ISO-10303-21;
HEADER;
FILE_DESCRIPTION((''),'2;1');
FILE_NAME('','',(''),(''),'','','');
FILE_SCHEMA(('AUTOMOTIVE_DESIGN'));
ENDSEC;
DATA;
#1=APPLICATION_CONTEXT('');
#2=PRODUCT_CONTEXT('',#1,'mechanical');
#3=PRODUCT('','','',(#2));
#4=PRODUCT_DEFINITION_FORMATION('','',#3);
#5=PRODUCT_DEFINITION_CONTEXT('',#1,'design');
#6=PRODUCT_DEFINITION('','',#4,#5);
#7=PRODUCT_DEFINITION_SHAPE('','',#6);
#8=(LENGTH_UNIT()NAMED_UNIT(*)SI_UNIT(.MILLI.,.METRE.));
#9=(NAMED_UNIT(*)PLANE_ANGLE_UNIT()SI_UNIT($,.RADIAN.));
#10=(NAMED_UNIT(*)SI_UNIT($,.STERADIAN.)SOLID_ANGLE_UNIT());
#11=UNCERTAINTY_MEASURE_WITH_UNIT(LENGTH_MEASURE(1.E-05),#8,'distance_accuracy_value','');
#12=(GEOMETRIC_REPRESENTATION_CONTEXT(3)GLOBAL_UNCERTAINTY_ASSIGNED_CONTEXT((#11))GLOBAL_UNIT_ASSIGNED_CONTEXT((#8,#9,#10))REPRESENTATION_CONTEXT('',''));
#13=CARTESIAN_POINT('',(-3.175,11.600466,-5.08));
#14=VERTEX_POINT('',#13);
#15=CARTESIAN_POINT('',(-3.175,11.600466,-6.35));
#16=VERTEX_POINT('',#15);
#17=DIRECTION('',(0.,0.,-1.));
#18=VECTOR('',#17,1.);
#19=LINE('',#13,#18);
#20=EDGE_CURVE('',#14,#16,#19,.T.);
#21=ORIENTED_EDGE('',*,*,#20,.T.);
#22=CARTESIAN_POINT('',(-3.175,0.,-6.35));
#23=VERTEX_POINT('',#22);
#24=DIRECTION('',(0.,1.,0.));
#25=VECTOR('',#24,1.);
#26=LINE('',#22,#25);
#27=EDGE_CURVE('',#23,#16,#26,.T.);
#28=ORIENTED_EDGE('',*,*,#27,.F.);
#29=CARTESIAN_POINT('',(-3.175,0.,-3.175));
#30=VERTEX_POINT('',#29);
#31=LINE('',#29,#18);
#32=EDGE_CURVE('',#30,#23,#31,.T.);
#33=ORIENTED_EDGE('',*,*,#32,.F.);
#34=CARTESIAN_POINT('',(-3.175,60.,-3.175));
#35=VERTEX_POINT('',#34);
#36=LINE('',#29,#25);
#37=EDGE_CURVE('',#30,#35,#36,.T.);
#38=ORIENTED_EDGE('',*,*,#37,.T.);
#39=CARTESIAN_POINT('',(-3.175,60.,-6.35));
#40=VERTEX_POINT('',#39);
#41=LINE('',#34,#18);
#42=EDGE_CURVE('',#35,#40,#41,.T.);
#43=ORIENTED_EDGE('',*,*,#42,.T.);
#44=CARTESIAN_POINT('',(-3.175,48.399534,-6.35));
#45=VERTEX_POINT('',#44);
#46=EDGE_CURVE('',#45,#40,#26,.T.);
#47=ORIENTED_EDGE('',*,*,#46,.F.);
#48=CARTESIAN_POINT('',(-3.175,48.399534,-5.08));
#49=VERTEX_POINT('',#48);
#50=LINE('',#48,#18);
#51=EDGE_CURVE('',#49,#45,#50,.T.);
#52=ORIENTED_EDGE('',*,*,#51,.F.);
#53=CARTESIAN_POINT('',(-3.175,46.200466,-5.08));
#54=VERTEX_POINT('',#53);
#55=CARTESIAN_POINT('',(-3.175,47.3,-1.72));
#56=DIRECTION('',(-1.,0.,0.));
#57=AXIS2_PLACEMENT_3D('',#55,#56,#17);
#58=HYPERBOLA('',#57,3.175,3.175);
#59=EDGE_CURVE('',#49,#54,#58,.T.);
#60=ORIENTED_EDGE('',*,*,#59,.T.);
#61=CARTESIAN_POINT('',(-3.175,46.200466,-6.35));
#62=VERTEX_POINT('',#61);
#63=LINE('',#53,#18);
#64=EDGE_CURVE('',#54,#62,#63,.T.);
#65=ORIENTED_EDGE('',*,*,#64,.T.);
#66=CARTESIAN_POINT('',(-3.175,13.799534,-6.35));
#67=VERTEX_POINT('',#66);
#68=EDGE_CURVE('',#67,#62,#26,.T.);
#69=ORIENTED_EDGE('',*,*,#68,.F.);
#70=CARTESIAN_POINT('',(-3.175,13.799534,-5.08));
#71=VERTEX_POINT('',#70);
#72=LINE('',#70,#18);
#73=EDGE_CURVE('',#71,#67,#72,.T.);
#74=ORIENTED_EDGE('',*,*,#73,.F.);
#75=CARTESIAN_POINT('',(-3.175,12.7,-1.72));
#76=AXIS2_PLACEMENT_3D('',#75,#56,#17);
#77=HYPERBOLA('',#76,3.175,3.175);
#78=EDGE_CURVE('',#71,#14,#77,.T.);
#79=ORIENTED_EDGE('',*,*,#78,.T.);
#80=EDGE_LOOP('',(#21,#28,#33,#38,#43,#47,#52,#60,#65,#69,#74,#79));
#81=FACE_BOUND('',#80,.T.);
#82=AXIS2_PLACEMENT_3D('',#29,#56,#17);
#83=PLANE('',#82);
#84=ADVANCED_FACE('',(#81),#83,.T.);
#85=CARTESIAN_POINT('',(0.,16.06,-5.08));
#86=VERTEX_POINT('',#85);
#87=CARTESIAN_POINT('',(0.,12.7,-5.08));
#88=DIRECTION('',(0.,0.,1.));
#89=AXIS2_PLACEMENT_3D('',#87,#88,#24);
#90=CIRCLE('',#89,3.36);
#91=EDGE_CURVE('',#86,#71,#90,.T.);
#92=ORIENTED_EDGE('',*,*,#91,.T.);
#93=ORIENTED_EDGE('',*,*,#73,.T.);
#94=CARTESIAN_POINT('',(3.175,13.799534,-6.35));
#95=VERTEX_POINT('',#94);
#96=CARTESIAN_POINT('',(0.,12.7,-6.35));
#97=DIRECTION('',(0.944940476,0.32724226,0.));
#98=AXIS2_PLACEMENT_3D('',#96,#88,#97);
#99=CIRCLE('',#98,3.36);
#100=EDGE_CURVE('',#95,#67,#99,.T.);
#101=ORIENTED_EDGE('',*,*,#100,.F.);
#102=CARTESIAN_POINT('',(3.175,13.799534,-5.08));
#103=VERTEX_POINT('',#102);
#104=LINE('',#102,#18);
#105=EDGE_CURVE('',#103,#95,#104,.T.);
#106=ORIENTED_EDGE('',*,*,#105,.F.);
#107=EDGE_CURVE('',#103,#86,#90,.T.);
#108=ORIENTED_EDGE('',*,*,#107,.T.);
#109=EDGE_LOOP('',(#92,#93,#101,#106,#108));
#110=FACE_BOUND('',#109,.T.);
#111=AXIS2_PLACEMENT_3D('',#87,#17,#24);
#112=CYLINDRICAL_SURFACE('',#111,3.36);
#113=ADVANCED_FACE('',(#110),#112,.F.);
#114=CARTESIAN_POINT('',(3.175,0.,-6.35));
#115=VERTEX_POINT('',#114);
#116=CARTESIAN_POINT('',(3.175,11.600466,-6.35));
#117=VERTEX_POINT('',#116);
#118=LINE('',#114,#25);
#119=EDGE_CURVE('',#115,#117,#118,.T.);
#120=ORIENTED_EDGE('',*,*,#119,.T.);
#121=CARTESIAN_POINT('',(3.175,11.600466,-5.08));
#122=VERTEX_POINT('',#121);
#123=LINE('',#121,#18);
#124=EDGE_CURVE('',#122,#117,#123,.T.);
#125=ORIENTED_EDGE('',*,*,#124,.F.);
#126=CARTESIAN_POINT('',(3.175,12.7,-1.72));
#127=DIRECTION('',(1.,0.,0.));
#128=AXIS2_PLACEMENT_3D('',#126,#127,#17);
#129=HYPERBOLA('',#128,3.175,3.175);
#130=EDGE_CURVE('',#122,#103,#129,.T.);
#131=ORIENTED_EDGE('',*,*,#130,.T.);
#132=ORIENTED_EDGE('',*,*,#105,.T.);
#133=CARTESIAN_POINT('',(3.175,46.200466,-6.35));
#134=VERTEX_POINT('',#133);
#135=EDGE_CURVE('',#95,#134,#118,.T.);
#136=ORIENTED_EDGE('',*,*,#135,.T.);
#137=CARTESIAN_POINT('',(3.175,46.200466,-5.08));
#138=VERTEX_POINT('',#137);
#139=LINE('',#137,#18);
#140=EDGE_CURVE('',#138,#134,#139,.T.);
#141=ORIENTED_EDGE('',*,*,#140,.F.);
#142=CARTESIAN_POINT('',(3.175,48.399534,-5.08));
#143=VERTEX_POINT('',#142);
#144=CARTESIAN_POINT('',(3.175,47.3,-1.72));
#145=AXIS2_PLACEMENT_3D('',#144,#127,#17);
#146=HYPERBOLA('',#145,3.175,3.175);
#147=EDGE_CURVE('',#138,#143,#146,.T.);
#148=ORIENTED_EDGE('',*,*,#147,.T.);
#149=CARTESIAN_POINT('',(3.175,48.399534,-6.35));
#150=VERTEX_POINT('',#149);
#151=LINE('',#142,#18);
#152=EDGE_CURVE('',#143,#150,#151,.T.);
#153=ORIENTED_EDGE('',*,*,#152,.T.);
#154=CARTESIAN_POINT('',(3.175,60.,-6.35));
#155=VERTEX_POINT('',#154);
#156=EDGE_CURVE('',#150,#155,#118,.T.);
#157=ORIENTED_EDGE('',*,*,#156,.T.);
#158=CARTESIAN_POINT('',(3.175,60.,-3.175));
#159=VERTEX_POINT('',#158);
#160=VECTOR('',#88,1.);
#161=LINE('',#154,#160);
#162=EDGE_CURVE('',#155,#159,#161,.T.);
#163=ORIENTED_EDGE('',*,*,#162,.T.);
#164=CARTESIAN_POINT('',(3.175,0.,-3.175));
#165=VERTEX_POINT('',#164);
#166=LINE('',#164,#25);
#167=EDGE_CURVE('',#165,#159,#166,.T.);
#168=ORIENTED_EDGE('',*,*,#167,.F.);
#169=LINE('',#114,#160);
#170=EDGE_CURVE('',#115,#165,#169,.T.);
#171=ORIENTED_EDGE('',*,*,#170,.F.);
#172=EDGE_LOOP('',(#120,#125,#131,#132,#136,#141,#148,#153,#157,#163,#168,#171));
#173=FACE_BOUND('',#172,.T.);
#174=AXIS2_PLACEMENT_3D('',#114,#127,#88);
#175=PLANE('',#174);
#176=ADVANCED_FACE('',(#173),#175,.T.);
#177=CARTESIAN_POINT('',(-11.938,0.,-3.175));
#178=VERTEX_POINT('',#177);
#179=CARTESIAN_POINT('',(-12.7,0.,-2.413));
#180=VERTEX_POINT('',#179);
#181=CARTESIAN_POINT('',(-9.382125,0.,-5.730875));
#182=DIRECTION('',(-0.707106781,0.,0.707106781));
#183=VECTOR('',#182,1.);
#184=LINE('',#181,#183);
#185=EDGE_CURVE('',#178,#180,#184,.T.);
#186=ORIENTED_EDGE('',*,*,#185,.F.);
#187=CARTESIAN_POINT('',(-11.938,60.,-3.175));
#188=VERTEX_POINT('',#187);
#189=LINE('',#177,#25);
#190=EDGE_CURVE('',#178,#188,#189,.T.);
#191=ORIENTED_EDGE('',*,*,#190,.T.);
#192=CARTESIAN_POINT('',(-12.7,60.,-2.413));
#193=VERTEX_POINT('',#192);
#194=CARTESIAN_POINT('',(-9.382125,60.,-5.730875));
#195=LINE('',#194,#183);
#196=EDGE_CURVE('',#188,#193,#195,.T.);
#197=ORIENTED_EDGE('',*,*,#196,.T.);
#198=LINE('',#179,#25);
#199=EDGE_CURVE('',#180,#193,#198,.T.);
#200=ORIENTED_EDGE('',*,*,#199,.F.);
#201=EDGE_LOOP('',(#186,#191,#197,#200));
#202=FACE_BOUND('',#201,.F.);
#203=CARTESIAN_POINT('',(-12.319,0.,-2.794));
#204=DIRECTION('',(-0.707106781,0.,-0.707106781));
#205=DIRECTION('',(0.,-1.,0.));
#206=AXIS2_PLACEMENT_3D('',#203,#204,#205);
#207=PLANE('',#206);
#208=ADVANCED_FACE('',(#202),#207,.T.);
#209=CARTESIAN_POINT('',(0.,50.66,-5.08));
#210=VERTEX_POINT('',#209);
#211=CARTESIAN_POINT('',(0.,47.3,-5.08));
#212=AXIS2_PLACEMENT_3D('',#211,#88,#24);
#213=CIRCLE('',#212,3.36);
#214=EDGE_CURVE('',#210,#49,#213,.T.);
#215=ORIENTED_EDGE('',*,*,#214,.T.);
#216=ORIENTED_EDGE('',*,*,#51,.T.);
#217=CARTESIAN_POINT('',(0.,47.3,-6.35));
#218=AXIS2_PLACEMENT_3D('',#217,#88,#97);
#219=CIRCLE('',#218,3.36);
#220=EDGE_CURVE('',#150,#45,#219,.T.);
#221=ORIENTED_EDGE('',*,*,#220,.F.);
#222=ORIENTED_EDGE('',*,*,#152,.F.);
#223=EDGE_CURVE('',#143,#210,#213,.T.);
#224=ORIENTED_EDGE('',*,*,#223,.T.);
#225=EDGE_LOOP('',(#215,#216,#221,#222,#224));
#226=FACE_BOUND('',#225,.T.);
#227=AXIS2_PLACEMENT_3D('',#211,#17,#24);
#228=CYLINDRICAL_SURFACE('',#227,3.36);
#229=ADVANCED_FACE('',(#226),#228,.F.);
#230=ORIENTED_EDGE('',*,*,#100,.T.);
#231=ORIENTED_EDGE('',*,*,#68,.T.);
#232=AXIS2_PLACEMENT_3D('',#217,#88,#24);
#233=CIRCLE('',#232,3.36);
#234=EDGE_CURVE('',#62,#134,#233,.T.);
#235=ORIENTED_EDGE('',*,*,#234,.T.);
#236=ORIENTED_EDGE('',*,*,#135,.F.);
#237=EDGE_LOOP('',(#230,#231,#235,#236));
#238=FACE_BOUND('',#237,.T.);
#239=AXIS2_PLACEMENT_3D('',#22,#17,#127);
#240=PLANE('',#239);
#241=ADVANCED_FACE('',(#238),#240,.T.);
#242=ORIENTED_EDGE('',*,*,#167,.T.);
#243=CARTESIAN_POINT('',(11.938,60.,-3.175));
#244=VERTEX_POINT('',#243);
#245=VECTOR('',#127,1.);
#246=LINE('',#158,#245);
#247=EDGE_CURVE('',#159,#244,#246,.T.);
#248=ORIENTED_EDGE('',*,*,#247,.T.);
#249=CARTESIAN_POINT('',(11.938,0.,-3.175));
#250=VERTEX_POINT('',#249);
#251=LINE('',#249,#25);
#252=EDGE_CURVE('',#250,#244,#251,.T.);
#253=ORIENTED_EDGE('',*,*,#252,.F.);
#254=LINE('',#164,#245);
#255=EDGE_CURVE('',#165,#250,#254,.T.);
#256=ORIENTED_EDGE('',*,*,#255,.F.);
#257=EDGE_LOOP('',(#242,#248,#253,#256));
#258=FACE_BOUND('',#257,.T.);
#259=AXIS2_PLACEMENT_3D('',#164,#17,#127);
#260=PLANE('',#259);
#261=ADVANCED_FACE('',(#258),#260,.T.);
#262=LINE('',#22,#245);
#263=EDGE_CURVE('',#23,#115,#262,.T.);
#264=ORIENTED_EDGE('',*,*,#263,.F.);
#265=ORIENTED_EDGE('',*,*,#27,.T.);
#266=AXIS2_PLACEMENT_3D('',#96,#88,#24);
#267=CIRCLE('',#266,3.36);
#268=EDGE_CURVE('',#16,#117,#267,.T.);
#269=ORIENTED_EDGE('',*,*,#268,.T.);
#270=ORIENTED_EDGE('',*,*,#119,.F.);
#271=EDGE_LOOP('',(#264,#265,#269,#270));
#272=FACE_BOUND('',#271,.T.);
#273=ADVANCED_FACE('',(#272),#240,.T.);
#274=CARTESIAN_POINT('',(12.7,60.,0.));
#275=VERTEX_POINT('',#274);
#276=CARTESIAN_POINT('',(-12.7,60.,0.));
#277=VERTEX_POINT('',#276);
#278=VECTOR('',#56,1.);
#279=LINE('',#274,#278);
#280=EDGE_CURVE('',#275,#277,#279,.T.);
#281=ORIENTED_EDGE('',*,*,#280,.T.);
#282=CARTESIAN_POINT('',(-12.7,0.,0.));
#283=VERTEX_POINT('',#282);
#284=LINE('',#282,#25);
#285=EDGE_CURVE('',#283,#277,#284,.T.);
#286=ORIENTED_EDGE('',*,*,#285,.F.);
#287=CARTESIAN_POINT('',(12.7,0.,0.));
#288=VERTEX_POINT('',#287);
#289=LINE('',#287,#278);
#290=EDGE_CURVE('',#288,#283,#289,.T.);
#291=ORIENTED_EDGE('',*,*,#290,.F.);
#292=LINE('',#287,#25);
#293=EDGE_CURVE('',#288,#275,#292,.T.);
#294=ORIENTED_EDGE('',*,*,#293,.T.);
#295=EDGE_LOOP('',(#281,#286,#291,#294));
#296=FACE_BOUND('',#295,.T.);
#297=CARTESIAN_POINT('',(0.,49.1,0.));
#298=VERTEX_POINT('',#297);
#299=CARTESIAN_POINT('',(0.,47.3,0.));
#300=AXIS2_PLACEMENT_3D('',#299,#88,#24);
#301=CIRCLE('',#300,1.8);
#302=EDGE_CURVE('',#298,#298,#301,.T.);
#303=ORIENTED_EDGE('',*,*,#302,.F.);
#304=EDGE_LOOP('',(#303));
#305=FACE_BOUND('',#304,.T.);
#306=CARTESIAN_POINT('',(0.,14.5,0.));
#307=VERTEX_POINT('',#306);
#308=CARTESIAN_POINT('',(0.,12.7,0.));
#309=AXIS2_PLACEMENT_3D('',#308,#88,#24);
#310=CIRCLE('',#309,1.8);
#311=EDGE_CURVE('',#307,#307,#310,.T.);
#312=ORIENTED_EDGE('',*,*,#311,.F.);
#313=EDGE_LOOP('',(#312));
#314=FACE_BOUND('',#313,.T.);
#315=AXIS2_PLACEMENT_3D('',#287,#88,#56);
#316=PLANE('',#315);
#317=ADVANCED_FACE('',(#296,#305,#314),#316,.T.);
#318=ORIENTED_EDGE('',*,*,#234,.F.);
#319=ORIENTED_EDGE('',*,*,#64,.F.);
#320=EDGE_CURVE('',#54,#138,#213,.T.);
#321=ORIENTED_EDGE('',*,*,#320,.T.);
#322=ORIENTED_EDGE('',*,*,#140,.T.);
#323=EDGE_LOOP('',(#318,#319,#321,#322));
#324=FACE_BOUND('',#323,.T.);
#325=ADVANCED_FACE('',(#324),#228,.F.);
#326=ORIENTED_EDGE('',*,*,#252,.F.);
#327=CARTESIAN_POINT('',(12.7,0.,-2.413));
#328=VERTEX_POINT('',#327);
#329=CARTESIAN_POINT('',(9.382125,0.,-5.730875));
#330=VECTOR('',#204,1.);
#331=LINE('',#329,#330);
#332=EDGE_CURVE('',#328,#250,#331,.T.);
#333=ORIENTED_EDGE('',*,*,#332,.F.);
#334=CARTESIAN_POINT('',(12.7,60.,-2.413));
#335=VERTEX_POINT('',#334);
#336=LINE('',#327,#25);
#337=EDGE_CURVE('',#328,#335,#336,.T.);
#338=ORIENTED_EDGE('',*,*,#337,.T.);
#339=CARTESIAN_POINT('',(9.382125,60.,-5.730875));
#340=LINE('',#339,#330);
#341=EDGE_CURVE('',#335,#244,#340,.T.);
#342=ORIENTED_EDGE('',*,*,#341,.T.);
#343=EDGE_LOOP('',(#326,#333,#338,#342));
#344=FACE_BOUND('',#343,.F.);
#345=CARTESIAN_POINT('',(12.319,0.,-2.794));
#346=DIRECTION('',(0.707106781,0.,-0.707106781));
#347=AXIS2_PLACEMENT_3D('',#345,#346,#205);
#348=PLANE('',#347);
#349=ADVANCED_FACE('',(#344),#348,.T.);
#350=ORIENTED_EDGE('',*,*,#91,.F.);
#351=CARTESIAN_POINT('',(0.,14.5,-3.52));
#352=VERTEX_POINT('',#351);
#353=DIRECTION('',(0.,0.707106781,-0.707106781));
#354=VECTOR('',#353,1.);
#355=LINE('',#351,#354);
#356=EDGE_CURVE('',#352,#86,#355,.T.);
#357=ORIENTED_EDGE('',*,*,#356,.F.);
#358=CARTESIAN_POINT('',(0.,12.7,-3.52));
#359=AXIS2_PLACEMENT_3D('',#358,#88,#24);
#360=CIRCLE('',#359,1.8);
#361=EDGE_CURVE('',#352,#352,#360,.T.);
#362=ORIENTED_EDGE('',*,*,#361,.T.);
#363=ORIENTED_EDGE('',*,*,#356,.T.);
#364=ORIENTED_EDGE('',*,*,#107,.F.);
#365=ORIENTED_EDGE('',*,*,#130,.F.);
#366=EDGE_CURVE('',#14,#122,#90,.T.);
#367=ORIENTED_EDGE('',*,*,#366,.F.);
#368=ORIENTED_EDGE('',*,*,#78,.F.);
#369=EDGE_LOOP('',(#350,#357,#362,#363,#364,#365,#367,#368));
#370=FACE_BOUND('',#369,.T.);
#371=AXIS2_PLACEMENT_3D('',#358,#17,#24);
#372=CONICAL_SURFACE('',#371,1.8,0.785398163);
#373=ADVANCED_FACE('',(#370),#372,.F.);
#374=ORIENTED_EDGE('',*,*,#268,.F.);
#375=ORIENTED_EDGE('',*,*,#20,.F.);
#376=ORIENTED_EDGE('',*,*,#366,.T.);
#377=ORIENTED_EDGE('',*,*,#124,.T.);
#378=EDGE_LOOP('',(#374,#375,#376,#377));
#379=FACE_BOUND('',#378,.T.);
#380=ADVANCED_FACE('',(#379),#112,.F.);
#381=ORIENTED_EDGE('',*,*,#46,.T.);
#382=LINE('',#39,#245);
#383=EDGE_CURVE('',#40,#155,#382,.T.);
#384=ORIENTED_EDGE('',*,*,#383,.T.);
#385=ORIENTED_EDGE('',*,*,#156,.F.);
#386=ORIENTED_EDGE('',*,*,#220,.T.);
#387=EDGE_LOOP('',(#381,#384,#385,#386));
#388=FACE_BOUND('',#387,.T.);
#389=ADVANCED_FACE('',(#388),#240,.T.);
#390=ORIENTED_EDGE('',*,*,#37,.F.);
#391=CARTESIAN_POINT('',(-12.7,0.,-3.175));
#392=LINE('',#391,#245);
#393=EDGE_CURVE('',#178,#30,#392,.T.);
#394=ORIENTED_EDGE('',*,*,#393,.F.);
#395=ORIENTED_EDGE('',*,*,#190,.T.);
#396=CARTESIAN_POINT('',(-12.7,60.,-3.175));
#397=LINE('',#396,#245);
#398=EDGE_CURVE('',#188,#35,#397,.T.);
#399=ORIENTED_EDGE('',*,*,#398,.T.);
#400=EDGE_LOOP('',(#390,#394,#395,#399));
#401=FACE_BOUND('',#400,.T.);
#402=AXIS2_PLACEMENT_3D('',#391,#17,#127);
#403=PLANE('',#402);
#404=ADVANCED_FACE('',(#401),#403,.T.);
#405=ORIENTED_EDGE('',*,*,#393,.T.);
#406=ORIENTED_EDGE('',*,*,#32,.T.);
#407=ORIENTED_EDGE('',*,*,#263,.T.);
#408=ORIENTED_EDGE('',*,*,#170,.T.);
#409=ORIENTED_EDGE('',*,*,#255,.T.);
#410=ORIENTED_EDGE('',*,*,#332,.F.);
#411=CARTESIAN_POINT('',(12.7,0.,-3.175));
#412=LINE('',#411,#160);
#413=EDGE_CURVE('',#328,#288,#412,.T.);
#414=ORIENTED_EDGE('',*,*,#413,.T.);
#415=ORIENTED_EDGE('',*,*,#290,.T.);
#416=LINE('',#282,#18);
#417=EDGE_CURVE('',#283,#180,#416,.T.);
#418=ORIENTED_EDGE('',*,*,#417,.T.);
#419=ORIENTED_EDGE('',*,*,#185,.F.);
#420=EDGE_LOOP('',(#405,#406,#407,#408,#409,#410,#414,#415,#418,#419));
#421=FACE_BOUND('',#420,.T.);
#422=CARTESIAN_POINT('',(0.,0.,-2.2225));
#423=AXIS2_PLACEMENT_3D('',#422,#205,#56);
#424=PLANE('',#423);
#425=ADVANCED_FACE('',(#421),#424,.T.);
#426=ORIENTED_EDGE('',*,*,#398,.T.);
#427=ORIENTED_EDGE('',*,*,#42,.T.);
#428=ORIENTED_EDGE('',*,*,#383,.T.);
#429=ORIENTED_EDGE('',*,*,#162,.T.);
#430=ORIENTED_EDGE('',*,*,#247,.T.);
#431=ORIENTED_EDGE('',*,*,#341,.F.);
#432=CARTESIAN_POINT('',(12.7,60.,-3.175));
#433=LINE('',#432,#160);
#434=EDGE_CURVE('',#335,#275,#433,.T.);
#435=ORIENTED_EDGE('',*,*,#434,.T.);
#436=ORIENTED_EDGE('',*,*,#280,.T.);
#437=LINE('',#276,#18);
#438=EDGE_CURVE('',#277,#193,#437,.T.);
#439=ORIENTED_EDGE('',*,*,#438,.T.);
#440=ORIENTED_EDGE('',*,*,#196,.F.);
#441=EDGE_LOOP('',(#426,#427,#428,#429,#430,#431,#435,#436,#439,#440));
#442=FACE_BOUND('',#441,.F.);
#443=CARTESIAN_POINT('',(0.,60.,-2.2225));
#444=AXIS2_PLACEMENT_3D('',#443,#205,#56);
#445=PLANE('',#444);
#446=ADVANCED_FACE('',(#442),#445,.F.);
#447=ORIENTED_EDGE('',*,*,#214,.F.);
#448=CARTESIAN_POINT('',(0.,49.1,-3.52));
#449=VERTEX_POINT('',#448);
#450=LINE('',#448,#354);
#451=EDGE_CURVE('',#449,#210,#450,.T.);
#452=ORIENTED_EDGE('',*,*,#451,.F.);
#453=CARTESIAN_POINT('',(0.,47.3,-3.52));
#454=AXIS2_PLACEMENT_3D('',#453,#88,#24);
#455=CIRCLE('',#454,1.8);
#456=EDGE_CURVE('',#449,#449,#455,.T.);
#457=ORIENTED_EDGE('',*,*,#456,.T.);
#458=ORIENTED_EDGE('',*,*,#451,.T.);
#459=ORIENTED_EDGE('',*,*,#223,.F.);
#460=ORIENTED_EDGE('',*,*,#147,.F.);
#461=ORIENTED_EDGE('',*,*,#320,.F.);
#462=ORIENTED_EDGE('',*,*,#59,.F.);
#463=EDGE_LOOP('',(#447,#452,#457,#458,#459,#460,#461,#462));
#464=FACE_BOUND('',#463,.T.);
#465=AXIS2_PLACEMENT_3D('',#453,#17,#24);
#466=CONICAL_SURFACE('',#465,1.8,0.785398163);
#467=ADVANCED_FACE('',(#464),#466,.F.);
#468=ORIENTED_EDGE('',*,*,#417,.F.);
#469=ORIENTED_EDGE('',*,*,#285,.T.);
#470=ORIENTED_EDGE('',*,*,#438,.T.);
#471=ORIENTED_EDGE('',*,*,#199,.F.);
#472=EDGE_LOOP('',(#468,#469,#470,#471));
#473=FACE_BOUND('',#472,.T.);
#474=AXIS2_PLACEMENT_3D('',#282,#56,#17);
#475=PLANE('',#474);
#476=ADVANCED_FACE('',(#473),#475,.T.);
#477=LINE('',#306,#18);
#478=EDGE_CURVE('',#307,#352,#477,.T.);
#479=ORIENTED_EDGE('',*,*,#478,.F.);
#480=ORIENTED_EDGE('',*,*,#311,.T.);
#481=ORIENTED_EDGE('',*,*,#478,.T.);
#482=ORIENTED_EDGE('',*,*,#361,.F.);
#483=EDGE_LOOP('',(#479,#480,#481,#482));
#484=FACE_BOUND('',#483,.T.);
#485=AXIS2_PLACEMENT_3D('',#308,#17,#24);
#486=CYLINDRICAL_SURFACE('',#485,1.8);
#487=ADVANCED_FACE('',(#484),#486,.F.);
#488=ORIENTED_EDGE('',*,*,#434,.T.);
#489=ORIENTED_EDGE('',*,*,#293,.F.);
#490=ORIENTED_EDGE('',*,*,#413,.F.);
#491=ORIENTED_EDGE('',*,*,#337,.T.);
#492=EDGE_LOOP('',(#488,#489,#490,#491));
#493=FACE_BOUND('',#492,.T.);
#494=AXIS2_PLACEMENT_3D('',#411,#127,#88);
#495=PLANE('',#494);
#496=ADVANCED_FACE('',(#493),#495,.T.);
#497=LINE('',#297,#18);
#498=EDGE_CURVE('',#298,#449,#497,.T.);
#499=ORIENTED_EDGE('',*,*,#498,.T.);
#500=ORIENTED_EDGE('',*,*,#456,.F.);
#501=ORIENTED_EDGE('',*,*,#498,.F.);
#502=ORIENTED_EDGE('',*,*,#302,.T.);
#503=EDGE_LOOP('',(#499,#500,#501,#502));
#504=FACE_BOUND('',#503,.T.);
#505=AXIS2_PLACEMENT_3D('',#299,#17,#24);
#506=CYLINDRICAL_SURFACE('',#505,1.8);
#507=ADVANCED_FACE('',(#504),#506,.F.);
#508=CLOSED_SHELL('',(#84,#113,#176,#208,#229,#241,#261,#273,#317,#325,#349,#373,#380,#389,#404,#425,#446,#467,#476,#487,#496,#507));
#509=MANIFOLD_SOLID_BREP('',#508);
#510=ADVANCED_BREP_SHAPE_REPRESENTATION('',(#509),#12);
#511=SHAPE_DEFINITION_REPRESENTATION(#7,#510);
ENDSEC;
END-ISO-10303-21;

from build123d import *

# Parameters (mm, degrees)
BOSS_EXTRUDE1_DEPTH          = 60
SKETCH2_R                    = 1.5
CUT_EXTRUDE2_DEPTH           = 7.35
CSK_FOR_M3_SFHCS1_AT_2_COUNT = 2
CSK_FOR_M3_SFHCS1_AT_2_PITCH = 34.6
CHAMFER1_SIZE                = 0.762


with BuildPart() as part:
    # Sketch1 → Boss-Extrude1 (new body)
    with BuildSketch(Plane(origin=(0, 0, 0), x_dir=(1, 0, 0), z_dir=(0, 1, 0))):
        Polygon((-3.175, 6.35), (3.175, 6.35), (3.175, 3.175), (12.7, 3.175), (12.7, 0), (-12.7, 0), (-12.7, 3.175), (-3.175, 3.175), align=None)
    extrude(amount=BOSS_EXTRUDE1_DEPTH)

    # Sketch2 → Cut-Extrude2 (cut, through all)
    with BuildSketch(Plane(origin=(0, 0, -6.35), x_dir=(-1, 0, 0), z_dir=(0, 0, -1))):
        with Locations((0, 47.3)):
            Circle(SKETCH2_R)
        with Locations((0, 12.7)):
            Circle(SKETCH2_R)
    extrude(amount=-CUT_EXTRUDE2_DEPTH, mode=Mode.SUBTRACT)

    # Sketch4 → CSK for M3 SFHCS1 (revolve, cut)
    with BuildSketch(Plane(origin=(0, 12.7, -6.35), x_dir=(0, 1, 0), z_dir=(1, 0, 0))):
        Polygon((0, 0), (0, 6.35), (1.8, 6.35), (1.8, 2.83), (3.36, 1.27), (3.36, 0), align=None)
    csk_for_m3_sfhcs1 = revolve(axis=Axis((0, 12.7, -12.7), (0, 0, 1)), mode=Mode.SUBTRACT)

    # CSK for M3 SFHCS1 at 2: CSK for M3 SFHCS1 ×2
    with Locations(*[(0, i * CSK_FOR_M3_SFHCS1_AT_2_PITCH, 0) for i in range(1, CSK_FOR_M3_SFHCS1_AT_2_COUNT)]):
        add(csk_for_m3_sfhcs1, mode=Mode.SUBTRACT)

    # Chamfer1
    chamfer1_edges = [part.edges().sort_by_distance(p)[0] for p in [
        (12.7, 30, -3.175),
        (-12.7, 30, -3.175),
    ]]
    chamfer(chamfer1_edges, length=CHAMFER1_SIZE)


solid = part.part
